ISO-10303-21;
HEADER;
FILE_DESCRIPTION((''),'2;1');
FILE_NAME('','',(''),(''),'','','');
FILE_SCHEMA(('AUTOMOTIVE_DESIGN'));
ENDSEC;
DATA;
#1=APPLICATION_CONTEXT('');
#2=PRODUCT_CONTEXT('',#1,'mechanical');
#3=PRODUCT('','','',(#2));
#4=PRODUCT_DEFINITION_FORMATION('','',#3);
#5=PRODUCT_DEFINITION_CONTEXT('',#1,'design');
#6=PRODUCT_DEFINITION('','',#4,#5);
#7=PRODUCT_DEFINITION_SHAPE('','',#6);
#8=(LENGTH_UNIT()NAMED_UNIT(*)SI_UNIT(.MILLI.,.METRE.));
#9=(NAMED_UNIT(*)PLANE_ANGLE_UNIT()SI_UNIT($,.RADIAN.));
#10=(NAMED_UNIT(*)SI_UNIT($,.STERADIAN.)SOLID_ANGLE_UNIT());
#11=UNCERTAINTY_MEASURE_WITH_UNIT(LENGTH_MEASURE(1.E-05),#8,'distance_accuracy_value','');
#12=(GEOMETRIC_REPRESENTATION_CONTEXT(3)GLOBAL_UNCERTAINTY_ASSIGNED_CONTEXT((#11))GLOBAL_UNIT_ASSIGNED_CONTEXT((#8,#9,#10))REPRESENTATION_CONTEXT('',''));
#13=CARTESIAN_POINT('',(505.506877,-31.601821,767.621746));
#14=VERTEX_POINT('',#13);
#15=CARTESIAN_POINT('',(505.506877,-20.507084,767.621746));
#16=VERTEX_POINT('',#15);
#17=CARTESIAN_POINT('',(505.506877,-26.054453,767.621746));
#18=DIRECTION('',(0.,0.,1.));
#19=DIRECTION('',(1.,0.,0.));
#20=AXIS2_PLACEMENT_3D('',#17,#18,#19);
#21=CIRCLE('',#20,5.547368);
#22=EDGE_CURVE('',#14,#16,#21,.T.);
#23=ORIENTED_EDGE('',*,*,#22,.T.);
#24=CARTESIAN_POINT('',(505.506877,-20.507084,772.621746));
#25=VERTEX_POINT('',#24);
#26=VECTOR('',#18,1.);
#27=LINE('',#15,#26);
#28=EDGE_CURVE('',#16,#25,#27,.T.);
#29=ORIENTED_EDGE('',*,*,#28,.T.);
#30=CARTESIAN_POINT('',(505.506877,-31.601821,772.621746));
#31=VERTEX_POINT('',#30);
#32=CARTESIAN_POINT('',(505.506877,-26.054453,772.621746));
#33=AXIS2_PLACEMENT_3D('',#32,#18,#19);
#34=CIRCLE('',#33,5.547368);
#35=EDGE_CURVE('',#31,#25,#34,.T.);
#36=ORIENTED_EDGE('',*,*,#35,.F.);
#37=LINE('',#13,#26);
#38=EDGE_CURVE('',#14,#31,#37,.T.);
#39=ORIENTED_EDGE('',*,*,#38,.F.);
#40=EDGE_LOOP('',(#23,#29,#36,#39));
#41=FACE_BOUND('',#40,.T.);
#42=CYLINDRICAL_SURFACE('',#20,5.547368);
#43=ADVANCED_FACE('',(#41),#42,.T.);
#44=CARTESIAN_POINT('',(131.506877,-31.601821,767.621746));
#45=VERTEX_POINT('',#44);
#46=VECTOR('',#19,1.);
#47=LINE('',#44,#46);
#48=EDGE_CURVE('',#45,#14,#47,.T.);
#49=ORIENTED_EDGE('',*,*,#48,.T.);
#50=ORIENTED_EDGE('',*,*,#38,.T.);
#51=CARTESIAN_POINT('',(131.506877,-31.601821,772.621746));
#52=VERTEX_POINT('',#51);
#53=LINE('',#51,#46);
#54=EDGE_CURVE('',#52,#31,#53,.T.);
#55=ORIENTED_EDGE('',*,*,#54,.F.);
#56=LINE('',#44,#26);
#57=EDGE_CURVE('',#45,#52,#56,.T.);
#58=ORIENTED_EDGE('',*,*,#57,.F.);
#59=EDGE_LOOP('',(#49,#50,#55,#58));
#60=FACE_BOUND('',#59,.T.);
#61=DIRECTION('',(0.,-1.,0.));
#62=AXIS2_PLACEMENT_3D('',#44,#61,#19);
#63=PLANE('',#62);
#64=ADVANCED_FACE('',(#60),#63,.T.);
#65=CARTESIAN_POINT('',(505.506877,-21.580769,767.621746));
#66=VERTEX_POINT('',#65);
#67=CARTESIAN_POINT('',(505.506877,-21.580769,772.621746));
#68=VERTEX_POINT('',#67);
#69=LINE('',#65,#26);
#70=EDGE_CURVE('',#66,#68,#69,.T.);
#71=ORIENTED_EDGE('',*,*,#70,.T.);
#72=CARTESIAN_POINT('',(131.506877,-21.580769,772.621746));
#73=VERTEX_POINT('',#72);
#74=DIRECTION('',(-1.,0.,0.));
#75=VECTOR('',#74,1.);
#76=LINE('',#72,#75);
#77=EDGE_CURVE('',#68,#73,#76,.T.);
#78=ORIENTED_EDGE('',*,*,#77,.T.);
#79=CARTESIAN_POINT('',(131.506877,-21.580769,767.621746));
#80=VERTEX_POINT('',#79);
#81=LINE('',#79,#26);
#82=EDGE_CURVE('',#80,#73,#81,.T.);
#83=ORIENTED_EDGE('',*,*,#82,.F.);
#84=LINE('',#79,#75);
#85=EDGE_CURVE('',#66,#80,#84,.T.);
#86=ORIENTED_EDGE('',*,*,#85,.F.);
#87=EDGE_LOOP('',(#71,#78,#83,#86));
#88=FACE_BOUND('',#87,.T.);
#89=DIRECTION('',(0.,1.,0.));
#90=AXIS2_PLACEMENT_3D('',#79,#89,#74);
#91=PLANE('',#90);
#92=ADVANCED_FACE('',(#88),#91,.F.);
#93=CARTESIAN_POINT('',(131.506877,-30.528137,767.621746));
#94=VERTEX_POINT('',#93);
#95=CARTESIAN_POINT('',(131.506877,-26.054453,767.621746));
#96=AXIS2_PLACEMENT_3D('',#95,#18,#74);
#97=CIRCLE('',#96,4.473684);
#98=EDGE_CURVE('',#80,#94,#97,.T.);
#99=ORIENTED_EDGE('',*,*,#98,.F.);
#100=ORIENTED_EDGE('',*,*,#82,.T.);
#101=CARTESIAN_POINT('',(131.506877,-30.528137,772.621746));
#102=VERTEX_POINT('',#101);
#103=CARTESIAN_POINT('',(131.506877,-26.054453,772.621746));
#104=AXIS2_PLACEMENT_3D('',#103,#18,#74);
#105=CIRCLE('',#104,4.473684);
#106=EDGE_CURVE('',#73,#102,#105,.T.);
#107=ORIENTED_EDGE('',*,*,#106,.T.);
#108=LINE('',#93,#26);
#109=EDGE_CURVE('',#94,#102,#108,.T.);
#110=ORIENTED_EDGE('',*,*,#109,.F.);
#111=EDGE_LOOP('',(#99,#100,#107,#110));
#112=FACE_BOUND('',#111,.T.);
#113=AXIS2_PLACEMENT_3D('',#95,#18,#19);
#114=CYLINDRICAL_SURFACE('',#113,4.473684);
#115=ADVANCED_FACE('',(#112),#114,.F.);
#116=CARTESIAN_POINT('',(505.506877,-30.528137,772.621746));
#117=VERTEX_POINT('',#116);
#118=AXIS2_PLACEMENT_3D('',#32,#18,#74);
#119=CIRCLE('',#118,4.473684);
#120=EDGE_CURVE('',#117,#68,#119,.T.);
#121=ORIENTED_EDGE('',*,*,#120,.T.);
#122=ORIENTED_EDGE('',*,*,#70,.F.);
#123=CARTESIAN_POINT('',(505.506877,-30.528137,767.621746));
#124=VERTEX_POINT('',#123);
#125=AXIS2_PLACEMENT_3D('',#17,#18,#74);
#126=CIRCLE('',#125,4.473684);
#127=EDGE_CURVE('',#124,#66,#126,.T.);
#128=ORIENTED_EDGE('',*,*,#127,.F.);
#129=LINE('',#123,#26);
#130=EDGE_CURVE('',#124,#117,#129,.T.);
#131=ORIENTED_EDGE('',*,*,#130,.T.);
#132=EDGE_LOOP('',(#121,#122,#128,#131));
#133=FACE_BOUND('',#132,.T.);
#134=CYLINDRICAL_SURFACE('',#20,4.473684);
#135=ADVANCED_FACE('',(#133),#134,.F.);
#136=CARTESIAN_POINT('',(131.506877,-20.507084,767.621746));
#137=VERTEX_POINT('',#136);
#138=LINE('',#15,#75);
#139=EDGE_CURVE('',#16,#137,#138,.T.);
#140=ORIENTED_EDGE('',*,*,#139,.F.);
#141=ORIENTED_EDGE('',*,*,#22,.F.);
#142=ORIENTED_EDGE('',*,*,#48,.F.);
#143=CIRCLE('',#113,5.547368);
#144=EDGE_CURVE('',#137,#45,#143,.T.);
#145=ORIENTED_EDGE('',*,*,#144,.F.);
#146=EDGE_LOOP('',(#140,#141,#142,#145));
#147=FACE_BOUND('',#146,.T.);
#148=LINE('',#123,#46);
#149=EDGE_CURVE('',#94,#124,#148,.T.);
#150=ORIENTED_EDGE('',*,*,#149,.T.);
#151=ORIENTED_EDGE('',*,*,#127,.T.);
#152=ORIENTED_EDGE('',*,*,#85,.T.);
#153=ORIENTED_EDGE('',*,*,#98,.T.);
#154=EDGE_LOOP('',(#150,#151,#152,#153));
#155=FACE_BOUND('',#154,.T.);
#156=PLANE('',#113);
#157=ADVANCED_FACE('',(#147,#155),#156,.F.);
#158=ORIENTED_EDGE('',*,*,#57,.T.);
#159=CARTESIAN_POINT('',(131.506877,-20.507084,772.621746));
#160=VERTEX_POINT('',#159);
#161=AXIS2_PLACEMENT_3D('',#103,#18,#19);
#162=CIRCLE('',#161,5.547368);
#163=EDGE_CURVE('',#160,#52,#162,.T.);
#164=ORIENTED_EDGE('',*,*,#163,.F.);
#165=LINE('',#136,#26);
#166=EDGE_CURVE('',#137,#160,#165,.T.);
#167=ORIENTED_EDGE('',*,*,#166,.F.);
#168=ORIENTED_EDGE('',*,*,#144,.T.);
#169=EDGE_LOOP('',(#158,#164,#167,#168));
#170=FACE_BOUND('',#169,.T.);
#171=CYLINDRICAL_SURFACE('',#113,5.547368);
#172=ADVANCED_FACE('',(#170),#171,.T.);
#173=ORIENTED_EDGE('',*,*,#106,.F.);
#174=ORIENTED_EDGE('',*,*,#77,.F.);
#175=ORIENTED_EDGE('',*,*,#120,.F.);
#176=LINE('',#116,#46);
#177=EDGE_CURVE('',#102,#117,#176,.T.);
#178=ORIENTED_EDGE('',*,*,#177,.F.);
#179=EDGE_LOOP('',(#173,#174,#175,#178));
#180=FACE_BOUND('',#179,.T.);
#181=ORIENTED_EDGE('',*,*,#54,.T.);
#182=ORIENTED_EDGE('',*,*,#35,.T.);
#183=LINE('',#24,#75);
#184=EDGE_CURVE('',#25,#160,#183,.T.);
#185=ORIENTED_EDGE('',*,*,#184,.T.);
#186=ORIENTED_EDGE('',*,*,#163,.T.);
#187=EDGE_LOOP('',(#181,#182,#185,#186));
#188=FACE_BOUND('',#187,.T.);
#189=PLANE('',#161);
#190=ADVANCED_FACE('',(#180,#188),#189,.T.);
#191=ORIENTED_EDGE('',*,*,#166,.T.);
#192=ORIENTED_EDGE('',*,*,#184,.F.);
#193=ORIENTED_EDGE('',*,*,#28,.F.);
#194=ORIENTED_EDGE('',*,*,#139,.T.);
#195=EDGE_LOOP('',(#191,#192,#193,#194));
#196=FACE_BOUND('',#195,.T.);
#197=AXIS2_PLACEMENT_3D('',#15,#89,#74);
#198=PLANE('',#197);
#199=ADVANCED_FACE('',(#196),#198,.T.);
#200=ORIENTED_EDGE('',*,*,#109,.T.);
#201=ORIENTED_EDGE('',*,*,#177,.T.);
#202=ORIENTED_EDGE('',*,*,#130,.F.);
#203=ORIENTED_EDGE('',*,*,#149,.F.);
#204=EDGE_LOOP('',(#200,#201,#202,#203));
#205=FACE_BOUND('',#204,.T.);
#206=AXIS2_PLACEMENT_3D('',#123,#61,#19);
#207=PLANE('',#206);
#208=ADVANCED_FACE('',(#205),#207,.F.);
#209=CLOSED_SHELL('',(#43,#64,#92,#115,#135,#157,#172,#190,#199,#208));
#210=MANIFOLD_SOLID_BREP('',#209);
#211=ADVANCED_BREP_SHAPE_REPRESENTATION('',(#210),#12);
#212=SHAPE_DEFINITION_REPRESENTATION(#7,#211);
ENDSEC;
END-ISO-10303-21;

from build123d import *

# Parameters (mm, degrees)
BOSS_EXTRUDE1_DEPTH = 5


with BuildPart() as part:
    # Sketch1 → Boss-Extrude1 (new body)
    with BuildSketch(Plane.XY.offset(772.62174641)):
        with BuildLine():
            Line((131.506877487, -31.601821219), (505.506877487, -31.601821219))
            ThreePointArc((505.506877487, -31.601821219), (511.054245909, -26.054452798), (505.506877487, -20.507084377))
            Line((505.506877487, -20.507084377), (131.506877487, -20.507084377))
            ThreePointArc((131.506877487, -20.507084377), (125.959509066, -26.054452798), (131.506877487, -31.601821219))
        make_face()
        with BuildLine():
            Line((505.506877487, -30.528137009), (131.506877487, -30.528137009))
            ThreePointArc((131.506877487, -30.528137009), (127.033193277, -26.054452798), (131.506877487, -21.580768588))
            Line((131.506877487, -21.580768588), (505.506877487, -21.580768588))
            ThreePointArc((505.506877487, -21.580768588), (509.980561698, -26.054452798), (505.506877487, -30.528137009))
        make_face(mode=Mode.SUBTRACT)
    extrude(amount=-BOSS_EXTRUDE1_DEPTH)


solid = part.part
